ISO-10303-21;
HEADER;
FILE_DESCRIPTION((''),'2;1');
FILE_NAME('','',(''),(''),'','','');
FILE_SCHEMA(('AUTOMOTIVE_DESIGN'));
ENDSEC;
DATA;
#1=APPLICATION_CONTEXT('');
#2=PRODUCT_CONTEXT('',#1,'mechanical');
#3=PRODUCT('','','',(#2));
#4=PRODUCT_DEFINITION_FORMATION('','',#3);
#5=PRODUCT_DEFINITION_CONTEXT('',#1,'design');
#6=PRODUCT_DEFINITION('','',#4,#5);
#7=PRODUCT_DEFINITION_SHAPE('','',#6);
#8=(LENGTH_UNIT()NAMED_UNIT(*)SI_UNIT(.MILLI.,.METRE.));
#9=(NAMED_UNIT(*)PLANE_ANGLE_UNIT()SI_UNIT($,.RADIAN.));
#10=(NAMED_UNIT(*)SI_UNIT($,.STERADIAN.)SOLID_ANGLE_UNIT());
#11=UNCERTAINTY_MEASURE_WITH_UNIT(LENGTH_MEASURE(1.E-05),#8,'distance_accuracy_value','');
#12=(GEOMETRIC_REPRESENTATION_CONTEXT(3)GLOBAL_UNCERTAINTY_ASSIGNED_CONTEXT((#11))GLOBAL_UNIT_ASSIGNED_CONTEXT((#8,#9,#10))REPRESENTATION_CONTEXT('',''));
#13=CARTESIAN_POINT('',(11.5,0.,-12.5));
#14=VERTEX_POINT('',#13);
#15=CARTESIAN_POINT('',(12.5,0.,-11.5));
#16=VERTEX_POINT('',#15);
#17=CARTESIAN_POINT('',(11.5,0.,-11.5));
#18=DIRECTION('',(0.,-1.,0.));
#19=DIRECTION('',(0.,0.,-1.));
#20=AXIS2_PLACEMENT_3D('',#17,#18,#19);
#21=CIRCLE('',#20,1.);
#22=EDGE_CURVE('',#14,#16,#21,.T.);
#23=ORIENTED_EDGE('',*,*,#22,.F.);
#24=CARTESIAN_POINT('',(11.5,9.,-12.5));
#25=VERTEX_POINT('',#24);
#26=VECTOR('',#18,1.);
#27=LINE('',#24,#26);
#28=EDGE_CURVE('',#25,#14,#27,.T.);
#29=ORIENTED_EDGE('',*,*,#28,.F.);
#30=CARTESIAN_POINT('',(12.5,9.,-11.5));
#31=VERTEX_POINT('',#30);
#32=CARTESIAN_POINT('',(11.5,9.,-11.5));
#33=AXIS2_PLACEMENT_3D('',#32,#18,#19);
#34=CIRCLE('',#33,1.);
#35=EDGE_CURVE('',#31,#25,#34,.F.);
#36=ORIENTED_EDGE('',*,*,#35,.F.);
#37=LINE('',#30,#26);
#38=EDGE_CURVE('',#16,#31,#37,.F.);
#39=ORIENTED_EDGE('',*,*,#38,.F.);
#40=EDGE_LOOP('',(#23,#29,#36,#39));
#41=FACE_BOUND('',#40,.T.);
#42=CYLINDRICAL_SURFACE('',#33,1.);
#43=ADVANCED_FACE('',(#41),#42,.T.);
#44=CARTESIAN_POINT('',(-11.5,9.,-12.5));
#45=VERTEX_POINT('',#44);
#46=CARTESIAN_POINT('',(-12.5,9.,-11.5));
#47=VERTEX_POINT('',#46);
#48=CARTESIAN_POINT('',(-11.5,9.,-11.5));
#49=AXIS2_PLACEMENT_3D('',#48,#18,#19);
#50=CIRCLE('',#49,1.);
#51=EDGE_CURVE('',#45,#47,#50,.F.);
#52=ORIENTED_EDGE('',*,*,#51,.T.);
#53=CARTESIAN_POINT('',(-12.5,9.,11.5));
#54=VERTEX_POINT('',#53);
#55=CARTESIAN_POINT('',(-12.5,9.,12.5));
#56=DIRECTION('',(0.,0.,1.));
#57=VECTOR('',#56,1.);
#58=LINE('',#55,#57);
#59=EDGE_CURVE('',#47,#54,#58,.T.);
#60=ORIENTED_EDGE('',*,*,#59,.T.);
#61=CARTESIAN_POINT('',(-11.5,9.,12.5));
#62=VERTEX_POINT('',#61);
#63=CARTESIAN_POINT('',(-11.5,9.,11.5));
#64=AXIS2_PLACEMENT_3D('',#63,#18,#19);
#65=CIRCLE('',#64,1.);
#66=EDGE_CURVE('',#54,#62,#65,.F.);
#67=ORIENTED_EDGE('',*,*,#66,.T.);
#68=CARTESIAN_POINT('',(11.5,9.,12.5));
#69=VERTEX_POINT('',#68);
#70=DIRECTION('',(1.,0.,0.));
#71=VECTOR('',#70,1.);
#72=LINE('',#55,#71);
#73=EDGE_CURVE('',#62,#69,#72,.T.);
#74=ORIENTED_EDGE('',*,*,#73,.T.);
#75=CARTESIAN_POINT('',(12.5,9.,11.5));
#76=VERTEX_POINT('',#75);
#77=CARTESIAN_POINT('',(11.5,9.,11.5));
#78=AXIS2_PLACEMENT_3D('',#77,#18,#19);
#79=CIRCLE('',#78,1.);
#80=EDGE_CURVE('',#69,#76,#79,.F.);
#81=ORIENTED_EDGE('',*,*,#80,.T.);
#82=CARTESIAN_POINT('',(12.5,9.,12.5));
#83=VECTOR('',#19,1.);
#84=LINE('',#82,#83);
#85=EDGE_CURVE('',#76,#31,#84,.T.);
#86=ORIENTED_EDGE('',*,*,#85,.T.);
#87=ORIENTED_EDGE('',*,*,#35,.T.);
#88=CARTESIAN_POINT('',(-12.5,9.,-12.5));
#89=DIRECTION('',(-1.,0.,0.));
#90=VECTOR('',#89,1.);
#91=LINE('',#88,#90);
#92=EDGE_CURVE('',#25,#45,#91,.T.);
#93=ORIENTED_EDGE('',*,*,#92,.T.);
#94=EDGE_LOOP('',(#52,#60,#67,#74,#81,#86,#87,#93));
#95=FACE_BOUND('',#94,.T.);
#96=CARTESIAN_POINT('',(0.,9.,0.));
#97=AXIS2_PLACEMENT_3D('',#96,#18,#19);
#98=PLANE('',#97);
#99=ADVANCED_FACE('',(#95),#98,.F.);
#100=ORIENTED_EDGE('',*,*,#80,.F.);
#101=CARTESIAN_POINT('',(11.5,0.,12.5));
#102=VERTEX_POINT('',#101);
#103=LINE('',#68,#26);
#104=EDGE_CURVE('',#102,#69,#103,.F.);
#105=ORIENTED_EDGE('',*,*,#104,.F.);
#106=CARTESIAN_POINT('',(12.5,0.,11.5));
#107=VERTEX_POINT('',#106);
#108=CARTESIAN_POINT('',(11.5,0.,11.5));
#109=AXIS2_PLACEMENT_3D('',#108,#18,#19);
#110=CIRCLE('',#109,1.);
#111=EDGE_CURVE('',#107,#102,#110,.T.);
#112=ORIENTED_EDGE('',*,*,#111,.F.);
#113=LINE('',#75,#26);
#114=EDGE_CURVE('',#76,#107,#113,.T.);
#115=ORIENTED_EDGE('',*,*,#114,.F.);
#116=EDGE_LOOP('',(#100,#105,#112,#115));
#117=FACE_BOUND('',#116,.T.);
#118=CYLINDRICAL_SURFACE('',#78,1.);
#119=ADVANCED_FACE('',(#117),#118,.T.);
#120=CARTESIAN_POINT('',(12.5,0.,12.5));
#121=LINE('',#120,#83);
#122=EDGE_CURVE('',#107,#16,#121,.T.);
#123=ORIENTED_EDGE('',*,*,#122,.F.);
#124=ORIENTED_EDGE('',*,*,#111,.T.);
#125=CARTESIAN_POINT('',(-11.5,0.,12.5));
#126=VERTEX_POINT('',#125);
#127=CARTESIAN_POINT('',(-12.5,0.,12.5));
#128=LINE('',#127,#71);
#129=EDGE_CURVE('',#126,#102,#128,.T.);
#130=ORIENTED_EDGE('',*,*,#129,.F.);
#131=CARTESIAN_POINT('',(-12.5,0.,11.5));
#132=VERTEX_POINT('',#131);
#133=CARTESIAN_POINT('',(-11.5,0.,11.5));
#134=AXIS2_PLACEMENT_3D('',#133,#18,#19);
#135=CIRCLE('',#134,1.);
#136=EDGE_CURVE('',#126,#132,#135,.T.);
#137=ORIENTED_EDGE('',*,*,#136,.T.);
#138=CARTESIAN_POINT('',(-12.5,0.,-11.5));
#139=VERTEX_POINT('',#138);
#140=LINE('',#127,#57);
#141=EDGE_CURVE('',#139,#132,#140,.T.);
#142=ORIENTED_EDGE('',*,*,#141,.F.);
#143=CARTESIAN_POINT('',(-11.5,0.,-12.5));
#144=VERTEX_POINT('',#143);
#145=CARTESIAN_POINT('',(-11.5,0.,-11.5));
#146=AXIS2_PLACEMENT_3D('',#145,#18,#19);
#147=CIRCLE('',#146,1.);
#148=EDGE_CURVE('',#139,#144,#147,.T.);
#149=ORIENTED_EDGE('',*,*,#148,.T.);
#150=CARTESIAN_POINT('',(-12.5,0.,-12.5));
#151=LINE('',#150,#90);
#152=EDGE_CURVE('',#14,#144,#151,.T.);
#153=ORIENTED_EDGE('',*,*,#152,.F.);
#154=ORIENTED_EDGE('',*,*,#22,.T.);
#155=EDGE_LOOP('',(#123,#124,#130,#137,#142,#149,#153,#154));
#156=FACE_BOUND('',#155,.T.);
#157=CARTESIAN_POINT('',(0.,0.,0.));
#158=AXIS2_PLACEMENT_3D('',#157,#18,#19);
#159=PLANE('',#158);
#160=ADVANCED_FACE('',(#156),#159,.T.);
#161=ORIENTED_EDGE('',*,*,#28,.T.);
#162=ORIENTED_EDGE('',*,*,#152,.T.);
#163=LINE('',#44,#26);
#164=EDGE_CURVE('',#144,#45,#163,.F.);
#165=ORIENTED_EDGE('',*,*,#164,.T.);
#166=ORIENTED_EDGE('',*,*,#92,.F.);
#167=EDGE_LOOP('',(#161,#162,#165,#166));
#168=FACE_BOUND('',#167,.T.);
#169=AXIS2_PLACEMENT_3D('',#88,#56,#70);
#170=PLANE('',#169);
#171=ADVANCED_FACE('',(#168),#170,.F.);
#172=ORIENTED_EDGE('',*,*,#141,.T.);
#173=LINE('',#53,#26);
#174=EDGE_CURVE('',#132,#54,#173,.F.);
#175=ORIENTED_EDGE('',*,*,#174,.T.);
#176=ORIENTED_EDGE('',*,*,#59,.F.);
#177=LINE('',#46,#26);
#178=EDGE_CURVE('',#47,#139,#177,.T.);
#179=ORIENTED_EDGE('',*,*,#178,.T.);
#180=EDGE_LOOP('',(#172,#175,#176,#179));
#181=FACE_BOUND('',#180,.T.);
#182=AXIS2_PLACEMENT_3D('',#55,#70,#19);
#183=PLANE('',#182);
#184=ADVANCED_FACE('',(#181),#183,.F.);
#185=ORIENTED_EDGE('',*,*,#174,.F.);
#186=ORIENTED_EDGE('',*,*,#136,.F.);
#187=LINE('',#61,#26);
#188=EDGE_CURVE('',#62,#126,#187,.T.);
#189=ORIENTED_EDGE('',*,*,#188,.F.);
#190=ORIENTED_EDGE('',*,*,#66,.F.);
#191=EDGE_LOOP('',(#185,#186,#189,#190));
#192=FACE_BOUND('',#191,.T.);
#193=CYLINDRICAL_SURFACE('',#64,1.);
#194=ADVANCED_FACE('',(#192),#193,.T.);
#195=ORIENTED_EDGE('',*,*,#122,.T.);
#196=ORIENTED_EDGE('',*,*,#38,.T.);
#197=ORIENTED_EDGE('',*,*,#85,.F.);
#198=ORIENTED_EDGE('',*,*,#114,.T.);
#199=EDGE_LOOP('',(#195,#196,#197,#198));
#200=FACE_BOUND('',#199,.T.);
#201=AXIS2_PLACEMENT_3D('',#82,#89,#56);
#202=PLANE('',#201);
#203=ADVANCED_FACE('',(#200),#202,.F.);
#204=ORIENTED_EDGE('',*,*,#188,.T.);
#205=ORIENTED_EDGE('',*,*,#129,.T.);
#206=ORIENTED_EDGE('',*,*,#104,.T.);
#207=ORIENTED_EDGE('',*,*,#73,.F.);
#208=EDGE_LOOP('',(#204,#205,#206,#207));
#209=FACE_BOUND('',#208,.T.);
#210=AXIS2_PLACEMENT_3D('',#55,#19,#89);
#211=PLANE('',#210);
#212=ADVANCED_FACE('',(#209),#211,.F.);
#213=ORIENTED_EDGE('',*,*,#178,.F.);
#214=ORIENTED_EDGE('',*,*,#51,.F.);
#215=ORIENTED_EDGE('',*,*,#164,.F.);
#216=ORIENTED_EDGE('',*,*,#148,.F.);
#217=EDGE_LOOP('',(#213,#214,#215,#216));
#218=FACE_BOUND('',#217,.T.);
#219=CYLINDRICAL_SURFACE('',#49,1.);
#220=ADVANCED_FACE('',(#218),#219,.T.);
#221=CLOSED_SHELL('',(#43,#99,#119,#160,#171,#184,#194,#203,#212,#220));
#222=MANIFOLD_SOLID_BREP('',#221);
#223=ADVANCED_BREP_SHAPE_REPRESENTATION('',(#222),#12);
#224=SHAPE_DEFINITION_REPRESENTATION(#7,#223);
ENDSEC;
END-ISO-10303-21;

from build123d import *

# Parameters (mm, degrees)
SKETCH1_W           = 25
SKETCH1_H           = 25
BOSS_EXTRUDE1_DEPTH = 9
FILLET1_R           = 1


with BuildPart() as part:
    # Sketch1 → Boss-Extrude1 (new body)
    with BuildSketch(Plane(origin=(0, 0, 0), x_dir=(1, 0, 0), z_dir=(0, 1, 0))):
        Rectangle(SKETCH1_W, SKETCH1_H)
    extrude(amount=BOSS_EXTRUDE1_DEPTH)

    # Fillet1
    fillet1_edges = [part.edges().sort_by_distance(p)[0] for p in [
        (-12.5, 4.5, -12.5),
        (12.5, 4.5, -12.5),
        (12.5, 4.5, 12.5),
        (-12.5, 4.5, 12.5),
    ]]
    fillet(fillet1_edges, radius=FILLET1_R)


solid = part.part
